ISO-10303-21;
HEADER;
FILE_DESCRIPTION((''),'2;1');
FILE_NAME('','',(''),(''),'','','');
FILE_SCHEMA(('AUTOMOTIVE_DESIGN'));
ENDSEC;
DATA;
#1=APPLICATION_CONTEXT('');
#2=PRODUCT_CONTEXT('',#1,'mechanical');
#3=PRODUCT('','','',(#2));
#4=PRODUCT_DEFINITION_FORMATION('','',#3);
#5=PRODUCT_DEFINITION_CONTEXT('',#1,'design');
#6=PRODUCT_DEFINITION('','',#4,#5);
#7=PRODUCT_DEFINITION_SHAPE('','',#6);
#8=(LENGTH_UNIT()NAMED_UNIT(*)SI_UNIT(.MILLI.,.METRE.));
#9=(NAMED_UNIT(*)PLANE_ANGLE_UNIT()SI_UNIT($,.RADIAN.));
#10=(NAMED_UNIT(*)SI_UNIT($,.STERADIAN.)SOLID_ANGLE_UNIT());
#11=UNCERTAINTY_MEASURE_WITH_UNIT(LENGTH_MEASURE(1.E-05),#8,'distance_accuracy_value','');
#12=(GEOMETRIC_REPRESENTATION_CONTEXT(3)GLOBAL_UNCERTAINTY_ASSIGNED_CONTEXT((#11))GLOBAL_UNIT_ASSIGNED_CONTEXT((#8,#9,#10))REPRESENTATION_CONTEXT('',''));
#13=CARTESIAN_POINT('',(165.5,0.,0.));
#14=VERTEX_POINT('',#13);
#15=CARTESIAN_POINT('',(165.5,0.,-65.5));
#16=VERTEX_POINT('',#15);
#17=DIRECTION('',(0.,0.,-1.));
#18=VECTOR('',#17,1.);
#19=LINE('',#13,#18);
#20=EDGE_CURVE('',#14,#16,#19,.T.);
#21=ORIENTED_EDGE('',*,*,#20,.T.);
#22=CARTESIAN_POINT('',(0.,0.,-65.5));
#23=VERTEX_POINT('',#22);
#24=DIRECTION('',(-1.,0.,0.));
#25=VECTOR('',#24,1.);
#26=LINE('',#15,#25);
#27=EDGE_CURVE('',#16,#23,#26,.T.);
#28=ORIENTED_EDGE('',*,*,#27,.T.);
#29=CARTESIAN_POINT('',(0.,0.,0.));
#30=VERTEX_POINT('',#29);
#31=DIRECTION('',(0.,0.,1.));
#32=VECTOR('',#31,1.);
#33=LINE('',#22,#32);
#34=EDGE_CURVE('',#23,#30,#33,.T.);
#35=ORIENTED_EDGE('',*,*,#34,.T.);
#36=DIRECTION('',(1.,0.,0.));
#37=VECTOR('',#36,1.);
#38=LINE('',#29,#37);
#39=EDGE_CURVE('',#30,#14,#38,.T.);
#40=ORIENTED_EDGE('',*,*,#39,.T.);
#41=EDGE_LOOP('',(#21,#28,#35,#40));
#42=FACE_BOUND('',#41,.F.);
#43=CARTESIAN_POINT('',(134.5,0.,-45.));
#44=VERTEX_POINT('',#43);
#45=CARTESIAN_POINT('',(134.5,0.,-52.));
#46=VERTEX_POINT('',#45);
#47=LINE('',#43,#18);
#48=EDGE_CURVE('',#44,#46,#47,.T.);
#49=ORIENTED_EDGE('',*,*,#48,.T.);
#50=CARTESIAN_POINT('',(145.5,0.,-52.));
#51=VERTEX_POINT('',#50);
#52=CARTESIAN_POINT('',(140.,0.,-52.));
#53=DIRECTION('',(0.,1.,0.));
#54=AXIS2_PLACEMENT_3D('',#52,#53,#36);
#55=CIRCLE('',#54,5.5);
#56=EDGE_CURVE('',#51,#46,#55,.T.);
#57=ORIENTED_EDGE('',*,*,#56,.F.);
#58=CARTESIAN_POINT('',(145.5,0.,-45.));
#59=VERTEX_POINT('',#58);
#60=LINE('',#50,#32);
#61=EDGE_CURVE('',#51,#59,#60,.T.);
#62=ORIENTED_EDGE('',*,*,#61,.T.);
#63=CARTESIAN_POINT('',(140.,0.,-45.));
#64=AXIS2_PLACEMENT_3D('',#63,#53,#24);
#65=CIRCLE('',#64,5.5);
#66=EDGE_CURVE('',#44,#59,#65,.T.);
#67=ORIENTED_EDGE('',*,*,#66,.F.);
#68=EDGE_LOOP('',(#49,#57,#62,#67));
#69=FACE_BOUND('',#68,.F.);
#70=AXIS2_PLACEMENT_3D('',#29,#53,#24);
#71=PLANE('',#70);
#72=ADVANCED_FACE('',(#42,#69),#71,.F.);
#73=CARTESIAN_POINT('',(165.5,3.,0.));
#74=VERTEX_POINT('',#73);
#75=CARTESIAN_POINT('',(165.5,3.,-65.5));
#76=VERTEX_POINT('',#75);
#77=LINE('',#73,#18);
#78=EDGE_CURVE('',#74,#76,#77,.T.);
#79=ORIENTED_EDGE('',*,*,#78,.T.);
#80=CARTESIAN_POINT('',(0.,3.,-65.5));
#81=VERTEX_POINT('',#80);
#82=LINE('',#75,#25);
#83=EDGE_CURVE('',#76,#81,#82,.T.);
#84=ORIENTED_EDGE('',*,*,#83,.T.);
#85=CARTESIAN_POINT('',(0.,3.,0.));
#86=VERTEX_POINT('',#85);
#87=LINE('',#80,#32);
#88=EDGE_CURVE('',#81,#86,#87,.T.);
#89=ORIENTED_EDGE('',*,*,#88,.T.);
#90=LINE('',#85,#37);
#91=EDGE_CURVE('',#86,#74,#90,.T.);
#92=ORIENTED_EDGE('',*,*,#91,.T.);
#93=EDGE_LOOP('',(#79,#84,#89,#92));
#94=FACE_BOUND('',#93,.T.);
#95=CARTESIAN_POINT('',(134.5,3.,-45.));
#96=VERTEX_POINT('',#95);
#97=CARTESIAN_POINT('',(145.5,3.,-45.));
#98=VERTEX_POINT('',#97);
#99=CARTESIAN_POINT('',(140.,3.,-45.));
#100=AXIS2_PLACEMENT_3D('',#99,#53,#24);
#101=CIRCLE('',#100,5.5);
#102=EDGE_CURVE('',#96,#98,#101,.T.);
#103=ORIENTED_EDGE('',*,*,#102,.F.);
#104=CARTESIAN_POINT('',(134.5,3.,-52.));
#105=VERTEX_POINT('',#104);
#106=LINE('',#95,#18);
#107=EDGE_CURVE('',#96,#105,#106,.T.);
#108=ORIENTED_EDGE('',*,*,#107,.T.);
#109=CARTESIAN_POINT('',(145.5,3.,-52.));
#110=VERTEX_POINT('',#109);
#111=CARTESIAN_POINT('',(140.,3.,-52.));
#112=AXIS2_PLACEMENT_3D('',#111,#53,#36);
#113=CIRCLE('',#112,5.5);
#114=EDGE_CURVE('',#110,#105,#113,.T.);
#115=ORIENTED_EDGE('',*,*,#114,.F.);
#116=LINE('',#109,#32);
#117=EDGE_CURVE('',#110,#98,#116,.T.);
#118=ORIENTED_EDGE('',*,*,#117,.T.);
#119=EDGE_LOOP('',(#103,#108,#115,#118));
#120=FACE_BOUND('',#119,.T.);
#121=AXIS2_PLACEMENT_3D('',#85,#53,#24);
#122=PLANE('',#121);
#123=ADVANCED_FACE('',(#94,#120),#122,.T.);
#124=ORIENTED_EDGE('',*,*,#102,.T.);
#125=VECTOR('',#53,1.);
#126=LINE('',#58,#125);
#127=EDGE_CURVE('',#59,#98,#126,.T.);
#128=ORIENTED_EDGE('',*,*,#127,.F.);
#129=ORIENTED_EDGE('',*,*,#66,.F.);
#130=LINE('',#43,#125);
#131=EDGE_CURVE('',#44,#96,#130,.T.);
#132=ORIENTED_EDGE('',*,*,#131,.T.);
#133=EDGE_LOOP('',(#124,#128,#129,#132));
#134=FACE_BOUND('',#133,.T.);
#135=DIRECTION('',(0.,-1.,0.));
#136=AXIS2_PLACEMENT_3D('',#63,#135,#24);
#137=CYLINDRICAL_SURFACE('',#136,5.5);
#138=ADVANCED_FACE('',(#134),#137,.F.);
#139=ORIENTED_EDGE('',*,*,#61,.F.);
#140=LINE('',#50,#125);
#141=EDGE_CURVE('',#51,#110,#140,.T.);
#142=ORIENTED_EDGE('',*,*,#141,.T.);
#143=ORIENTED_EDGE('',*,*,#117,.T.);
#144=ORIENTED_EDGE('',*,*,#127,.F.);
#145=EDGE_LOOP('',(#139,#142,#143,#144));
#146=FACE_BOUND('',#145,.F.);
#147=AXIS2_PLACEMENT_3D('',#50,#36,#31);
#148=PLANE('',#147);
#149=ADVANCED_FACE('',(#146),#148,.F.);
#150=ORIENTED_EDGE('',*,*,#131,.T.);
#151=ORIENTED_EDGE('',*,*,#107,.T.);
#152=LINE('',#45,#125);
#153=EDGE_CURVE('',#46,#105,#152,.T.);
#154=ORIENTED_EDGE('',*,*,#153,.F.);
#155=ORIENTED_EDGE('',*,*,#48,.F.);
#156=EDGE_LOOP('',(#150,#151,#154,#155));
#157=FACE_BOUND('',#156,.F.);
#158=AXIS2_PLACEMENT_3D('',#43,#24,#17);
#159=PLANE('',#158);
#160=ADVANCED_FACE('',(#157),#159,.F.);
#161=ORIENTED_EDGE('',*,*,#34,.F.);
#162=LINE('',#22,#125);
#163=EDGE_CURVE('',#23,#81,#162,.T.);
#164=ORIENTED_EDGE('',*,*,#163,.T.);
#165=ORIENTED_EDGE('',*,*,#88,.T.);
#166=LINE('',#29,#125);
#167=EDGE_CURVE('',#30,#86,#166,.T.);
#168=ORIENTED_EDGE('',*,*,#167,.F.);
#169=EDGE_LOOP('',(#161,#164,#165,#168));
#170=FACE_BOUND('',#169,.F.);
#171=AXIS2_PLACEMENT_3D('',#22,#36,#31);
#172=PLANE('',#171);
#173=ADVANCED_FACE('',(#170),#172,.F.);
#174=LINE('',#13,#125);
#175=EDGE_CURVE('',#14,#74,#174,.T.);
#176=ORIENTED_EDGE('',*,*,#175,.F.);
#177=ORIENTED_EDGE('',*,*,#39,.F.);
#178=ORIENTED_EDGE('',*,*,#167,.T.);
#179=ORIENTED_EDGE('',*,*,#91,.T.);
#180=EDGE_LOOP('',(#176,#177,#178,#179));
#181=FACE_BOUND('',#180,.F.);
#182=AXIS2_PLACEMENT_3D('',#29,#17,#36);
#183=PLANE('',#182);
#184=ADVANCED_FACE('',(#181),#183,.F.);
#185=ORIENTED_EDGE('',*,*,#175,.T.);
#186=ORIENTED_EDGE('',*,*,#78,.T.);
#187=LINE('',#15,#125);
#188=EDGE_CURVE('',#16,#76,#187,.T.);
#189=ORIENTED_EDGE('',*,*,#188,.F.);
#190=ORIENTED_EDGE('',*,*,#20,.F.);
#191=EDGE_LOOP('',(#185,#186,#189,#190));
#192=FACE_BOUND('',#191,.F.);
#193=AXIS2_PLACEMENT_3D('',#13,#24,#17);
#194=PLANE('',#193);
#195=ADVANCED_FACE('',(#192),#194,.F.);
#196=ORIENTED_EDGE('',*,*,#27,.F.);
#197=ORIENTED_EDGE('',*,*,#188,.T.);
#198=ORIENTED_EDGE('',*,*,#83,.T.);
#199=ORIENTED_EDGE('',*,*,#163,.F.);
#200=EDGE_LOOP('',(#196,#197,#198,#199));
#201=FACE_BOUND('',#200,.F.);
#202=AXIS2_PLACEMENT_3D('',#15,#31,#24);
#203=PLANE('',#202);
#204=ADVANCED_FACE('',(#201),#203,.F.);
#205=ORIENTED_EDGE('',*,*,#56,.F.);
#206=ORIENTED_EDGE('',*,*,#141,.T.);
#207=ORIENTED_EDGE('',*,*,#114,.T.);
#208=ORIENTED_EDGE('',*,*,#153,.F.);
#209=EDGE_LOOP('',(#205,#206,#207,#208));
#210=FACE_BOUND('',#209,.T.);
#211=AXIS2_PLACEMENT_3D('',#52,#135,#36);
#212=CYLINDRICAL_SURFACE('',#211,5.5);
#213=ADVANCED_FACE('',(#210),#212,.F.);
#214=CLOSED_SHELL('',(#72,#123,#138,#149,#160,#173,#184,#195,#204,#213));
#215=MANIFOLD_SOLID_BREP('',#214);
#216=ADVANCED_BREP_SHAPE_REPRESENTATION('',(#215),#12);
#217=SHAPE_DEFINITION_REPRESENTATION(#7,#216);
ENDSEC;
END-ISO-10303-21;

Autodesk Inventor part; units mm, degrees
ref_plane "YZ Plane" through (0, 0, 0) normal (1, 0, 0) x (0, 1, 0)
ref_plane "XZ Plane" through (0, 0, 0) normal (0, 1, 0) x (-1, 0, 0)
ref_plane "XY Plane" through (0, 0, 0) normal (0, 0, 1) x (1, 0, 0)
sketch "Skizze1" plane through (0, 0, 0) normal (0, 1, 0) x (-1, 0, 0)
  line L0 (0, 0) -> (-165.5, 0)
  line L1 (-165.5, 0) -> (-165.5, -65.5)
  line L2 (-165.5, -65.5) -> (0, -65.5)
  line L3 (0, -65.5) -> (0, 0)
  line L4 (-134.5, -45) -> (-134.5, -52)
  line L5 (-145.5, -52) -> (-145.5, -45)
  arc A0 (-145.5, -52) -> (-134.5, -52) centre (-140, -52) ccw
  arc A1 (-134.5, -45) -> (-145.5, -45) centre (-140, -45) ccw
  dimension "d0" = 165.5
  dimension "d1" = 65.5
  dimension "d8" = 11
  dimension "d9" = 7
  dimension "d10" = 13.5
  dimension "d11" = 20
extrude "Extrusion1" add sketch "Skizze1" along normal blind 3
properties part number "wood_front"
